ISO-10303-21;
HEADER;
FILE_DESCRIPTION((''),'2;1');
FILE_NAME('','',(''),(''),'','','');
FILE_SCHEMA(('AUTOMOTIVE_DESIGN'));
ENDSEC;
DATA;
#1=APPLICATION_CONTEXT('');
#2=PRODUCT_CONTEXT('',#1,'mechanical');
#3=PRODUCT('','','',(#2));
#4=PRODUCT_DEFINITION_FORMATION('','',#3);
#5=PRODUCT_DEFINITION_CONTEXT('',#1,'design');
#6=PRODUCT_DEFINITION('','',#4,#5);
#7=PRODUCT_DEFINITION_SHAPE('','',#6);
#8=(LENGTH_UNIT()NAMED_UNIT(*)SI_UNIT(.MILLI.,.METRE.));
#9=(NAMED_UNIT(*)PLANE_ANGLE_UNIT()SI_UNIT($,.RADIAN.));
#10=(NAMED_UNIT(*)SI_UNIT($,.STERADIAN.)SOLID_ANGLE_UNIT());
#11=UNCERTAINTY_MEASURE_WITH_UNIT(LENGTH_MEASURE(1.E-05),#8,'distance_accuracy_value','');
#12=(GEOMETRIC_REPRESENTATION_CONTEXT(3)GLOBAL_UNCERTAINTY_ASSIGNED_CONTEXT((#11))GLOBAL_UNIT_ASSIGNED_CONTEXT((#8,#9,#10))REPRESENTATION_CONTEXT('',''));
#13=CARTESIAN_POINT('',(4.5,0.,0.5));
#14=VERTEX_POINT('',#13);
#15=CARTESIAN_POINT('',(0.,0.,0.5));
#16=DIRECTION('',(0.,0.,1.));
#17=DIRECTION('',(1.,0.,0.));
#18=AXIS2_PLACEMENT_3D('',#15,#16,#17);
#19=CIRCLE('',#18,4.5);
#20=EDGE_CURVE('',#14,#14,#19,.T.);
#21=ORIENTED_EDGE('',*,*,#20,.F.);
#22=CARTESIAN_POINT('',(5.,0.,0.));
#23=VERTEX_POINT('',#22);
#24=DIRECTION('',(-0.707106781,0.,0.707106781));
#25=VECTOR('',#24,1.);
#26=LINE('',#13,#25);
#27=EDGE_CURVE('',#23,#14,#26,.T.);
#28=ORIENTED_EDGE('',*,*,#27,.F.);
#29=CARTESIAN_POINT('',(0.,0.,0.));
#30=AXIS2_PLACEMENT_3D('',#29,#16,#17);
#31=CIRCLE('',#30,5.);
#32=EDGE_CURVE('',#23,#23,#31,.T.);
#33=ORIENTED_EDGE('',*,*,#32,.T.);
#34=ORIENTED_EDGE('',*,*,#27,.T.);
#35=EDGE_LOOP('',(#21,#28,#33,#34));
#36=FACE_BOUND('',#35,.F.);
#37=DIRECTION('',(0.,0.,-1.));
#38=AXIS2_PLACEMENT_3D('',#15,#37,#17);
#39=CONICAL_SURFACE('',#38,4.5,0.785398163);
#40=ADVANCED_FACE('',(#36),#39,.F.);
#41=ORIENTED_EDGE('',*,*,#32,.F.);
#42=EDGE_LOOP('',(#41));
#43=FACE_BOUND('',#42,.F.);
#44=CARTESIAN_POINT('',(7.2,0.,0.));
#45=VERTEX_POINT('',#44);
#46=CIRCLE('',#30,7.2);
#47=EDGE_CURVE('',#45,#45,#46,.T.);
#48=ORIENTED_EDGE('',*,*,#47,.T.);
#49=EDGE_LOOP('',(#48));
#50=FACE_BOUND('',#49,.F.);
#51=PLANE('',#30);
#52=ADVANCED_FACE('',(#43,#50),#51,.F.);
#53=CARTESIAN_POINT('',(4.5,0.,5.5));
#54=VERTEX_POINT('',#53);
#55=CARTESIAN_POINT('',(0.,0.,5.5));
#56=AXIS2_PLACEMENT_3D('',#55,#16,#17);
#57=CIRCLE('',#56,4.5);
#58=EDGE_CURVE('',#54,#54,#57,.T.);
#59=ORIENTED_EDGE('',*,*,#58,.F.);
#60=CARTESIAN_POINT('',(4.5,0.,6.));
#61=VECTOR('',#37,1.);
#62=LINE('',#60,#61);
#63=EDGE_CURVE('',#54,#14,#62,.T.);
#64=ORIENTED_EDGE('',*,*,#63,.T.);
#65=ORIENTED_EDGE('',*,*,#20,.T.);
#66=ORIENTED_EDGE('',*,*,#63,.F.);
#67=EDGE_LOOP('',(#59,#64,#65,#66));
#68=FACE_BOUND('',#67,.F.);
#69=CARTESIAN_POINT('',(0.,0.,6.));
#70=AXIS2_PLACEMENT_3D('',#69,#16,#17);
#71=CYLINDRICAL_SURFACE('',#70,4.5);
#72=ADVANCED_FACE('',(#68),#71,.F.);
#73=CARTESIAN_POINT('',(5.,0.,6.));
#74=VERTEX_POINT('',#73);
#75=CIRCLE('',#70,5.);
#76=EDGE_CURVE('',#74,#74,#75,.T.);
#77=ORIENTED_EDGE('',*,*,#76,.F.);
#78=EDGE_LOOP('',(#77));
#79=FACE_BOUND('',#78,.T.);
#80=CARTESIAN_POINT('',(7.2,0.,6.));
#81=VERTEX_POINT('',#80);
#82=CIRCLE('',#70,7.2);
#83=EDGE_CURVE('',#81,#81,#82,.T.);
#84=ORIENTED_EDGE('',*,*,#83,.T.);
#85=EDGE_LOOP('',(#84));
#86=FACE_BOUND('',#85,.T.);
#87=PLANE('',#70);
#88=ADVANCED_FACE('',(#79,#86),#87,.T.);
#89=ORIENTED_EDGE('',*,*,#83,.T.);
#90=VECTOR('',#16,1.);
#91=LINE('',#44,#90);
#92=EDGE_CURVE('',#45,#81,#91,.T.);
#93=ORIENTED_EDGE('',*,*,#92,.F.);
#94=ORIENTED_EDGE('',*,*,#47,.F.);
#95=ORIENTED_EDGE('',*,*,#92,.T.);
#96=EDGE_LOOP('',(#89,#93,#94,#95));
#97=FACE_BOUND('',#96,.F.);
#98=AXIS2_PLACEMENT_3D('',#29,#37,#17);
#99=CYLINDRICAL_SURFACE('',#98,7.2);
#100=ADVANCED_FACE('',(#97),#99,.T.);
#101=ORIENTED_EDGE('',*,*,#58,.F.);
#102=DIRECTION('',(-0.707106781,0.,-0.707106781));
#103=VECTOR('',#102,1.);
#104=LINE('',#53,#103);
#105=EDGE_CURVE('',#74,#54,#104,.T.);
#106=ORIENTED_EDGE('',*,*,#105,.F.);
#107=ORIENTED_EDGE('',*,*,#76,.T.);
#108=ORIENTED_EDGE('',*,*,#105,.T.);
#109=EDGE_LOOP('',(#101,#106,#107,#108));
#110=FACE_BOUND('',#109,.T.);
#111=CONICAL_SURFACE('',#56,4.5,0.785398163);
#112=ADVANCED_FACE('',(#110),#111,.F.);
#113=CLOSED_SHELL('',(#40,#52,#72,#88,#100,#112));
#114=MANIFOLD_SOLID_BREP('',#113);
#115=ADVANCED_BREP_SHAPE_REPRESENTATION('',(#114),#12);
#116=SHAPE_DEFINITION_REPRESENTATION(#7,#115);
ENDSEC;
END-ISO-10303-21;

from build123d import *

# Parameters (mm, degrees)
F0_R     = 7.2
F1_DEPTH = 6
F2_R     = 4.5
F3_DEPTH = 25
F4_SIZE2 = 0.5
F4_SIZE  = 0.5


with BuildPart() as f1:
    # F0 (on Top) → F1 (new body)
    with BuildSketch(Plane.XY):
        Circle(F0_R)
    extrude(amount=F1_DEPTH)

    # F2 (on face) → F3 (cut)
    with BuildSketch(Plane.XY.offset(6)):
        Circle(F2_R)
    extrude(amount=-F3_DEPTH, mode=Mode.SUBTRACT)

    # F4
    f4_edges = [f1.edges().sort_by_distance(p)[0] for p in [
        (-4.5, 0, 6),
        (-4.5, 0, 0),
    ]]
    chamfer(f4_edges, length=F4_SIZE, length2=F4_SIZE2)


solid = f1.part
